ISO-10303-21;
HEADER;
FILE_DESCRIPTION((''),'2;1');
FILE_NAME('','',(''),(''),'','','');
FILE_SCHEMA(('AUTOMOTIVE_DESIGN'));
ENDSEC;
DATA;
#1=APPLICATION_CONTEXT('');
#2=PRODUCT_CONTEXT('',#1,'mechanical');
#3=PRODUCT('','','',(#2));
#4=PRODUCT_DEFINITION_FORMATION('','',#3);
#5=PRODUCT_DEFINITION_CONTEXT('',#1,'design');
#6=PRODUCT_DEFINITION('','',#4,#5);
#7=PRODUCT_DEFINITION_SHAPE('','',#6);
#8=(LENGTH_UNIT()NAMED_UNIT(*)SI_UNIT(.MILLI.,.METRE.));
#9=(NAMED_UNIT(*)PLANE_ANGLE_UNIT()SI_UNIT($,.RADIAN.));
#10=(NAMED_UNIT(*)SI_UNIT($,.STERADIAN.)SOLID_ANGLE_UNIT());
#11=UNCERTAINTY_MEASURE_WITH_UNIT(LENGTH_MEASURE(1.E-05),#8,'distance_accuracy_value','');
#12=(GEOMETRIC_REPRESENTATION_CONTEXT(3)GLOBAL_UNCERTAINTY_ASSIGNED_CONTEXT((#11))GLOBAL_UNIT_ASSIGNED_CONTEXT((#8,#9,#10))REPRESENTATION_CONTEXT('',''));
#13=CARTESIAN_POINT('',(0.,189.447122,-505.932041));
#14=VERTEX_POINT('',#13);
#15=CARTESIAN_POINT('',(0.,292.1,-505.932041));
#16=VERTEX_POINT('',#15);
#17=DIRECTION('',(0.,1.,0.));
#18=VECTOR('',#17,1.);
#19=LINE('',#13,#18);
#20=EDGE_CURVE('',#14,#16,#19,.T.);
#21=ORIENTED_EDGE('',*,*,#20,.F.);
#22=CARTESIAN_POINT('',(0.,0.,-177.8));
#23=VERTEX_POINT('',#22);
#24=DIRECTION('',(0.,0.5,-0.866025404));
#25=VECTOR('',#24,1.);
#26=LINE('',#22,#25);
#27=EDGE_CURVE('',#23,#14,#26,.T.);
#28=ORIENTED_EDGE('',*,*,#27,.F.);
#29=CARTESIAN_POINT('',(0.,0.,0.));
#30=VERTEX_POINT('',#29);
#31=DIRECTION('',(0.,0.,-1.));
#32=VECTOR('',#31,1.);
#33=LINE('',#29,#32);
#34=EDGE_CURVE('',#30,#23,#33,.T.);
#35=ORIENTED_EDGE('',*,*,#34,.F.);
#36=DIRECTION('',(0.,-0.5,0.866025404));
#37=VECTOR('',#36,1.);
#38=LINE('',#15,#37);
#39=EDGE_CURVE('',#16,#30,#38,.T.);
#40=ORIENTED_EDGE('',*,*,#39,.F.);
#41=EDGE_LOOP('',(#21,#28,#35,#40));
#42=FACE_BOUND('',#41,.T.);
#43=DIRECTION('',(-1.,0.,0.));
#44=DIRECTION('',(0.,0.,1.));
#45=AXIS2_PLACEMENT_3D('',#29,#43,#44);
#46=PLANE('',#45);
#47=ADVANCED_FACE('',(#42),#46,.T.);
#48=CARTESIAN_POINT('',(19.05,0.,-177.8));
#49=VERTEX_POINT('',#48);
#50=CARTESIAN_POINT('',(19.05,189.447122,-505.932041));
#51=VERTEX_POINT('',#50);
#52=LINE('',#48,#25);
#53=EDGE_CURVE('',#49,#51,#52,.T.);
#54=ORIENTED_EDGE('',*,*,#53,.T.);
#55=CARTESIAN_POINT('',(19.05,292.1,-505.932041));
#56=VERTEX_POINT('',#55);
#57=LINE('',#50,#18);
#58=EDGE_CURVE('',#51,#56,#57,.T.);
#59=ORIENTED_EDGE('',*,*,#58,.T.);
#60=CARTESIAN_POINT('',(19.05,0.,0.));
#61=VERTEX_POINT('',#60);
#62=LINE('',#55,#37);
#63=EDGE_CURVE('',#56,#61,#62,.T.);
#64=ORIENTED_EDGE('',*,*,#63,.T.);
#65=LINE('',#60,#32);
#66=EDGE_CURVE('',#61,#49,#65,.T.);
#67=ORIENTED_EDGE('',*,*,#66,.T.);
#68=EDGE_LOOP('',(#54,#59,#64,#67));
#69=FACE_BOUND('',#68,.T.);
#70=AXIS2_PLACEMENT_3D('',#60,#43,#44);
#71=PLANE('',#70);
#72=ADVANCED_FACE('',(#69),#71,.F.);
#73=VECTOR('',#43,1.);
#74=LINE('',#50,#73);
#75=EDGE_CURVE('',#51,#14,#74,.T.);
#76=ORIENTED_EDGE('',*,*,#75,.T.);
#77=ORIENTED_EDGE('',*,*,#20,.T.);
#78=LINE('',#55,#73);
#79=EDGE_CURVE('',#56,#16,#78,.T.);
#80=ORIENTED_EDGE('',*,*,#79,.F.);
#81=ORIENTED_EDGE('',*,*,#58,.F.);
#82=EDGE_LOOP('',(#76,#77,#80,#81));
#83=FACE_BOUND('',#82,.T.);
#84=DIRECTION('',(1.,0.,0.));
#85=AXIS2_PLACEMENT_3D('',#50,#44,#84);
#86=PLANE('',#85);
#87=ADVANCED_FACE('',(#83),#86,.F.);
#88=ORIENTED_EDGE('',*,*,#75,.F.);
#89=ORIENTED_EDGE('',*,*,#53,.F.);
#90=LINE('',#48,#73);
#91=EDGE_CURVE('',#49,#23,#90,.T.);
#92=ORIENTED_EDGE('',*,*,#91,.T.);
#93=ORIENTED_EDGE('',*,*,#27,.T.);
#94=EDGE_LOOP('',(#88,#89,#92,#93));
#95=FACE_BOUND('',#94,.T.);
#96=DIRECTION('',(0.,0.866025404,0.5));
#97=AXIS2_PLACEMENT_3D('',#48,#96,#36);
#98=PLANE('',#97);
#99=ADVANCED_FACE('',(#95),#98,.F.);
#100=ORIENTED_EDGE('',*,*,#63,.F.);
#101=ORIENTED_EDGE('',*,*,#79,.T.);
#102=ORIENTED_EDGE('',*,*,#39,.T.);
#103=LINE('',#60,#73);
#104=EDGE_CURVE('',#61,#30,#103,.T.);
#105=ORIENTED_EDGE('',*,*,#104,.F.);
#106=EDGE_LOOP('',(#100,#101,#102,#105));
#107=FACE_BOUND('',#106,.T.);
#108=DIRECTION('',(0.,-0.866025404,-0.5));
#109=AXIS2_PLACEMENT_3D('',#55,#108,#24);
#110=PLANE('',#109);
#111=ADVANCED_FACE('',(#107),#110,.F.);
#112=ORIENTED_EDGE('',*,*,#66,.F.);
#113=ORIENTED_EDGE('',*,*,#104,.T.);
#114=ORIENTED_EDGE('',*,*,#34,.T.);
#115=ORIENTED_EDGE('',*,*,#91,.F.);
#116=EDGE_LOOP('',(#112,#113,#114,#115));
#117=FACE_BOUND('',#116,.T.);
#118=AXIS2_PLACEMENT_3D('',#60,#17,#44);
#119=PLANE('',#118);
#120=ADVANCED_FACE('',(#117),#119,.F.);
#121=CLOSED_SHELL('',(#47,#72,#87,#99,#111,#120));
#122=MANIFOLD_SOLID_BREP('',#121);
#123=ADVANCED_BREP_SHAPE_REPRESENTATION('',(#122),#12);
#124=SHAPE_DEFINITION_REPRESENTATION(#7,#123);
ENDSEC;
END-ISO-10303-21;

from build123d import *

# Parameters (mm, degrees)
BOSS_EXTRUDE1_DEPTH = 19.05


with BuildPart() as part:
    # Sketch1 → Boss-Extrude1 (new body)
    with BuildSketch(Plane(origin=(0, 0, 0), x_dir=(0, 0, -1), z_dir=(1, 0, 0))):
        Polygon((0, 0), (177.8, 0), (505.932040891, 189.447122138), (505.932040891, 292.1), align=None)
    extrude(amount=BOSS_EXTRUDE1_DEPTH)


solid = part.part
